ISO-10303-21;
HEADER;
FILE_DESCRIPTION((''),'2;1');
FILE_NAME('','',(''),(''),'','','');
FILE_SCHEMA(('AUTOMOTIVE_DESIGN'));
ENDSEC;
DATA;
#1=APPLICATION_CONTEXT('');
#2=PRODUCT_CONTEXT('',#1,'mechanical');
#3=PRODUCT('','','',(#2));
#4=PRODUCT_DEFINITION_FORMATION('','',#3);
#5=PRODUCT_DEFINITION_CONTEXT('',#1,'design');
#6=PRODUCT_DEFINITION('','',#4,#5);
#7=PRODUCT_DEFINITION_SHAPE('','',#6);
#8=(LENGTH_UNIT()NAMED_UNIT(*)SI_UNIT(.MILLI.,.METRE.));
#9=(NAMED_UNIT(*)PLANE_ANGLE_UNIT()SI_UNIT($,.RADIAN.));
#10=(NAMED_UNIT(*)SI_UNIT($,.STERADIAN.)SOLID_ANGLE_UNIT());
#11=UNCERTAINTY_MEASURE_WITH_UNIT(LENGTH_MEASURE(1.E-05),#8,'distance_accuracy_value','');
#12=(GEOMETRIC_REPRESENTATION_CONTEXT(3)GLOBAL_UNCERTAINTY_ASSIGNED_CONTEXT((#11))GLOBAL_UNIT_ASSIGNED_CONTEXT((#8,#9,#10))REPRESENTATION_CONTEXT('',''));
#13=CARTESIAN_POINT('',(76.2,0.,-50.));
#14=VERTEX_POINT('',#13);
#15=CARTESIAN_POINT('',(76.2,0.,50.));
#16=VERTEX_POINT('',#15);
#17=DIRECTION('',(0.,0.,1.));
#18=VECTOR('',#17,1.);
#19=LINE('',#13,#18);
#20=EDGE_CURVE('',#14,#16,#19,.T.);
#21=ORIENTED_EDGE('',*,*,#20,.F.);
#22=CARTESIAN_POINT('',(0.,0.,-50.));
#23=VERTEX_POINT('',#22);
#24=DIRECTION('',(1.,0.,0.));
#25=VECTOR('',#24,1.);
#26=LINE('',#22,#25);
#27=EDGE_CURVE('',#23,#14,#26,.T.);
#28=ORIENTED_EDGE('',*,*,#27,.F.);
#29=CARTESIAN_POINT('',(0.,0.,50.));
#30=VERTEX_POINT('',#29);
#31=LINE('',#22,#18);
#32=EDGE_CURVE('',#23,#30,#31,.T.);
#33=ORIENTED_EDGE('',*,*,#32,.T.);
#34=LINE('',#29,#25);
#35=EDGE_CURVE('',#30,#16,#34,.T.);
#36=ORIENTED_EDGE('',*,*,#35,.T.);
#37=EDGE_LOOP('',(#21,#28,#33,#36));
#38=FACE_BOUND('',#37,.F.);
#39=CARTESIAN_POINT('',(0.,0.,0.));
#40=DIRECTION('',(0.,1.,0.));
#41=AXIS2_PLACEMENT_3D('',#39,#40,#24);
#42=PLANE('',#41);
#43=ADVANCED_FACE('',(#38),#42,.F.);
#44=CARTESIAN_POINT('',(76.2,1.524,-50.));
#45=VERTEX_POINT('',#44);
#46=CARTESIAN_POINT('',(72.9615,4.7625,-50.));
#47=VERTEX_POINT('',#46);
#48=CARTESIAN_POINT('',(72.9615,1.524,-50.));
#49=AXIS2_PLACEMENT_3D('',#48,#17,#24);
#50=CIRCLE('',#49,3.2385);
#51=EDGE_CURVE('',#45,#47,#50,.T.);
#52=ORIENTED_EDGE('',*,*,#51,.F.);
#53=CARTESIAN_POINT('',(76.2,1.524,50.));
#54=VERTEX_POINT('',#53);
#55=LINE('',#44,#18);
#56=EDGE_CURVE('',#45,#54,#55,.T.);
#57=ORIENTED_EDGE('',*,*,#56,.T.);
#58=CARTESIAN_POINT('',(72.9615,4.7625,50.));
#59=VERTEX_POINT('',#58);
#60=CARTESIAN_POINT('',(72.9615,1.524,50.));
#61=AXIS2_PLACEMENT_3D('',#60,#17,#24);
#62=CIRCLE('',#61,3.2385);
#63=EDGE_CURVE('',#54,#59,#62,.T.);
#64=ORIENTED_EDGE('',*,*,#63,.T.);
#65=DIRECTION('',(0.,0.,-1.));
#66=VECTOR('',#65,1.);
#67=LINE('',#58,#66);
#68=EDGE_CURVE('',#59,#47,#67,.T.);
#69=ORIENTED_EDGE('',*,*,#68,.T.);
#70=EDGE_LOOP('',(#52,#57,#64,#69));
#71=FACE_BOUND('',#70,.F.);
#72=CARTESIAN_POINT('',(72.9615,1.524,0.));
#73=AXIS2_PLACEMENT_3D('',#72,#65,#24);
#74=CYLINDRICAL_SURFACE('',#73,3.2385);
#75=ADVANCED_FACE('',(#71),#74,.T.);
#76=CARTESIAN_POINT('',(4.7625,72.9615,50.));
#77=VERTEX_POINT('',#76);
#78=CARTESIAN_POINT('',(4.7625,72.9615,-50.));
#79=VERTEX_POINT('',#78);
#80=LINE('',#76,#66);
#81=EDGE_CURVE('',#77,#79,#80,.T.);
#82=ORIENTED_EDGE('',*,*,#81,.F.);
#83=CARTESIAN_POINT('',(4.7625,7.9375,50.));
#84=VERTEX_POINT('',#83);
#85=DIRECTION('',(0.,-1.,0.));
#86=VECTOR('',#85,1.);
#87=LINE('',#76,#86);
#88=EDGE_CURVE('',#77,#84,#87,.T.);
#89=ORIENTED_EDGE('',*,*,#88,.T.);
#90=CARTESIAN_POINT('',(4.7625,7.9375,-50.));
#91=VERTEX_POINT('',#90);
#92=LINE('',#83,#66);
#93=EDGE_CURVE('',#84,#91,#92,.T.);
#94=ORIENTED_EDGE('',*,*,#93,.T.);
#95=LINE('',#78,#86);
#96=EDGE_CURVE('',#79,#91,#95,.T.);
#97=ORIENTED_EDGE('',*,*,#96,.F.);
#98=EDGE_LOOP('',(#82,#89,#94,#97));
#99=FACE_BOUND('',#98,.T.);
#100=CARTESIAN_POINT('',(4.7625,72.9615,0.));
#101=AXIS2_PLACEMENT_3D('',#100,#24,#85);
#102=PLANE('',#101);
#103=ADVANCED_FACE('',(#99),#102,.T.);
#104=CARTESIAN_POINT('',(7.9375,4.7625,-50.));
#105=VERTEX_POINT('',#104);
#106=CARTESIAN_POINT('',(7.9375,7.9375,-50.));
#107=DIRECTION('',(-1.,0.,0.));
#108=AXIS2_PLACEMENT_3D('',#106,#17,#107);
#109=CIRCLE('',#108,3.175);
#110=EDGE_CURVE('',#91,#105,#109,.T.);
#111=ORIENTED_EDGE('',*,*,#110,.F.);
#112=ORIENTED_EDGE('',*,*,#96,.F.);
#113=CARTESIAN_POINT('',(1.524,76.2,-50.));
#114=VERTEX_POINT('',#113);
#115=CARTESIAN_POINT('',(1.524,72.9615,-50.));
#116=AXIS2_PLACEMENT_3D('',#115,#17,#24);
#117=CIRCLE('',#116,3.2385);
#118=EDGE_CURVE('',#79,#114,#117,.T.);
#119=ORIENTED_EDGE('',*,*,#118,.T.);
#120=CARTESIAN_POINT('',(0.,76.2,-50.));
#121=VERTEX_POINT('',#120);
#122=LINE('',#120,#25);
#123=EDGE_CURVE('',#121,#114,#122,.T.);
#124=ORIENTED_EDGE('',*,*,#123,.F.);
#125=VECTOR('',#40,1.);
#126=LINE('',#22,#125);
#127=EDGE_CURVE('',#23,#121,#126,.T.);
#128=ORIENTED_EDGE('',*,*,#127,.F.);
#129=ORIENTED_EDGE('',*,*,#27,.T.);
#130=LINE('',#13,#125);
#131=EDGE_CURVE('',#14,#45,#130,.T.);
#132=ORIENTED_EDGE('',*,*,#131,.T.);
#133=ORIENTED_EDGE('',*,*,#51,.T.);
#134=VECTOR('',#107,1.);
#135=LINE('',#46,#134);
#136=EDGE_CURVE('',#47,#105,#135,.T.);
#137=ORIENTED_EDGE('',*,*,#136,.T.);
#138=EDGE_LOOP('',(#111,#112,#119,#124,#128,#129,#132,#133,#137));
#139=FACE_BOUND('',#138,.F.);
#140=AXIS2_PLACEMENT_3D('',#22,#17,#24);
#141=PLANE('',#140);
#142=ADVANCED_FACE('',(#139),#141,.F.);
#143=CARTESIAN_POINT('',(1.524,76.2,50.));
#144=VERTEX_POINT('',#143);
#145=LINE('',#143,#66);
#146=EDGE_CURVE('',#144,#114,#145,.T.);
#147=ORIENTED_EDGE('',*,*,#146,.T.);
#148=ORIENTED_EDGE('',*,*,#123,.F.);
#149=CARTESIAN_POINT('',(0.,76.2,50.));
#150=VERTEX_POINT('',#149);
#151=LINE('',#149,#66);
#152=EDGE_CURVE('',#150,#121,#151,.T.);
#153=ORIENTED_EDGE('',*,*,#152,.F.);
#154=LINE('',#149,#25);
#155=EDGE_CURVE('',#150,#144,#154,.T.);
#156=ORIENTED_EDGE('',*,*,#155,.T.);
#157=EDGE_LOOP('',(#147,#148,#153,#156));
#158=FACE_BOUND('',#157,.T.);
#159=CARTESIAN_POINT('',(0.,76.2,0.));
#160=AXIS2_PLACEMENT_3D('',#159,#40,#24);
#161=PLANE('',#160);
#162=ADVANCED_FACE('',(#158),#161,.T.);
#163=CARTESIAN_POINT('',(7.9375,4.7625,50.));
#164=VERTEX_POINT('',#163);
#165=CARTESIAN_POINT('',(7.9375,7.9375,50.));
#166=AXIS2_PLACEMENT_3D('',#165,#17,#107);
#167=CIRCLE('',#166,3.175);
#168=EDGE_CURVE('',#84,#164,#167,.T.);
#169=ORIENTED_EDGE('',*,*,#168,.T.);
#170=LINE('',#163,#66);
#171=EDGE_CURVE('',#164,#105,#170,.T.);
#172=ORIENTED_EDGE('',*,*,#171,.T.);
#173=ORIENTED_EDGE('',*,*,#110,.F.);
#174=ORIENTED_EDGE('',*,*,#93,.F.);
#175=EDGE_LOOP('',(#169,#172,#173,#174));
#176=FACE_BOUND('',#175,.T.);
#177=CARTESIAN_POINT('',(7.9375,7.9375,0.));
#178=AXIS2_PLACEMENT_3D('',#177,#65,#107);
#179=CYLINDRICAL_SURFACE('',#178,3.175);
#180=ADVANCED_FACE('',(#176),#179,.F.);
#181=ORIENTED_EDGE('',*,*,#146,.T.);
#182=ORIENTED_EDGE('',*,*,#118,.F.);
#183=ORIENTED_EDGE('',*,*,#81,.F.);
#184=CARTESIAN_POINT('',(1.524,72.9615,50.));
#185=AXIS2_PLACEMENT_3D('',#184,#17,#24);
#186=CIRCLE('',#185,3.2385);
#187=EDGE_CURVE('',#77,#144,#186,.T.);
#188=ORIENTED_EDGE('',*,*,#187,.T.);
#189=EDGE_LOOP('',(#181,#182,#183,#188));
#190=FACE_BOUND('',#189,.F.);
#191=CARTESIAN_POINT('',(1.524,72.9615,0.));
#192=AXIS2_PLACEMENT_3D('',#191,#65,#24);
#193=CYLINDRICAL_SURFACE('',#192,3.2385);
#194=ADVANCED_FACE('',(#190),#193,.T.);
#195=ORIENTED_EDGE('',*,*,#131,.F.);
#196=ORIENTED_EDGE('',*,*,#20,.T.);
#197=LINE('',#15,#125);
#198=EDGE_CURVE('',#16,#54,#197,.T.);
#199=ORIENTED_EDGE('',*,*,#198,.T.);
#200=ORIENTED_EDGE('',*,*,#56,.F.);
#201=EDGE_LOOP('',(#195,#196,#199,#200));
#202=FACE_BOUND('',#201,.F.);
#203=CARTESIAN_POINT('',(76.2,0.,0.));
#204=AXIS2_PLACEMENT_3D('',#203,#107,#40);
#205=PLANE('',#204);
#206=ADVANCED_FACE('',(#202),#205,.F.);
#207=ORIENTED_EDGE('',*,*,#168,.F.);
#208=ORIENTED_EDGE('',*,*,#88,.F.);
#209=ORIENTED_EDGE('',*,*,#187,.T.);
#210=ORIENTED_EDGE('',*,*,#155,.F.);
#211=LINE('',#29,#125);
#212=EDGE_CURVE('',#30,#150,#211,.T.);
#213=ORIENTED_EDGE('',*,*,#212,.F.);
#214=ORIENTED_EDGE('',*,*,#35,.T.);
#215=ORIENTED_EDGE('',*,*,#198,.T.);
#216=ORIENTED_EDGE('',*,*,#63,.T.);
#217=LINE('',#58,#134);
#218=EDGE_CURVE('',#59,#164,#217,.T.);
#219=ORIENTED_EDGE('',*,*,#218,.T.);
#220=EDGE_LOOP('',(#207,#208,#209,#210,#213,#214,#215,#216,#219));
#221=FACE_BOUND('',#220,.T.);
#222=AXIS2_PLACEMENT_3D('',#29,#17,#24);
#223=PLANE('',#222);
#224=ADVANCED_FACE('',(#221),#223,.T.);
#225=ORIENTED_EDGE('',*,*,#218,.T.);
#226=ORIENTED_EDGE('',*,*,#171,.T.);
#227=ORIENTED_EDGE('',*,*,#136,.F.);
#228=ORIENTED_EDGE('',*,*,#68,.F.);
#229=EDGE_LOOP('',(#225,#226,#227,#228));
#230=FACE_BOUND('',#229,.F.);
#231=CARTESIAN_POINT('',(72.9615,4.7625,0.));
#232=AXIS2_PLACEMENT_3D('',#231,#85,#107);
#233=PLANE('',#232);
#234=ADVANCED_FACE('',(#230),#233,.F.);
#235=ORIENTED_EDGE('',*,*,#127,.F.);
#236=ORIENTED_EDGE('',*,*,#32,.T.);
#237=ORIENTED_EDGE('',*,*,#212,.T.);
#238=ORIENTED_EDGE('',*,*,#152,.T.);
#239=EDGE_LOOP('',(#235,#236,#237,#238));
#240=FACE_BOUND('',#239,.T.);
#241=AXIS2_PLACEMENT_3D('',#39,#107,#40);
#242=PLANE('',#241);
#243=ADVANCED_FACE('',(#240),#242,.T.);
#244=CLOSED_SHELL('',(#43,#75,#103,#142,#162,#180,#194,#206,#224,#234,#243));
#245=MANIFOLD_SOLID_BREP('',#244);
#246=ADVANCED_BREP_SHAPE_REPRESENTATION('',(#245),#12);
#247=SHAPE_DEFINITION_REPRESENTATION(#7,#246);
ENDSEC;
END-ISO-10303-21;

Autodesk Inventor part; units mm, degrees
ref_plane "YZ Plane" through (0, 0, 0) normal (1, 0, 0) x (0, 1, 0)
ref_plane "XZ Plane" through (0, 0, 0) normal (0, 1, 0) x (-1, 0, 0)
ref_plane "XY Plane" through (0, 0, 0) normal (0, 0, 1) x (1, 0, 0)
sketch "Sketch1" plane through (0, 0, 0) normal (0, 0, 1) x (1, 0, 0)
  line L0 (0, 0) -> (0, 76.2)
  line L1 (0, 76.2) -> (1.524, 76.2)
  line L2 (4.7625, 72.9615) -> (4.7625, 7.9375)
  line L3 (0, 0) -> (76.2, 0)
  line L4 (76.2, 0) -> (76.2, 1.524)
  line L5 (72.9615, 4.7625) -> (7.9375, 4.7625)
  arc A0 (4.7625, 7.9375) -> (7.9375, 4.7625) centre (7.9375, 7.9375) ccw
  arc A1 (4.7625, 72.9615) -> (1.524, 76.2) centre (1.524, 72.9615) ccw
  arc A2 (76.2, 1.524) -> (72.9615, 4.7625) centre (72.9615, 1.524) ccw
  dimension "thickness" = 4.7625
  dimension "d3" = 4.7625
  dimension "LegSize" = 76.2
  dimension "d5" = 76.2
  dimension "radius" = 3.175
  dimension "d7" = 3.2385
  dimension "d8" = 3.2385
extrude "3\" X 3\" X 3/16\"" add sketch "Sketch1" along normal mid plane 100
equation "\"d3\" = thickness"
equation "\"d5\" = LegSize"
properties part number "ANGLE IRON, 3 X 3 X 0.188 THK" material "Angle Iron"
